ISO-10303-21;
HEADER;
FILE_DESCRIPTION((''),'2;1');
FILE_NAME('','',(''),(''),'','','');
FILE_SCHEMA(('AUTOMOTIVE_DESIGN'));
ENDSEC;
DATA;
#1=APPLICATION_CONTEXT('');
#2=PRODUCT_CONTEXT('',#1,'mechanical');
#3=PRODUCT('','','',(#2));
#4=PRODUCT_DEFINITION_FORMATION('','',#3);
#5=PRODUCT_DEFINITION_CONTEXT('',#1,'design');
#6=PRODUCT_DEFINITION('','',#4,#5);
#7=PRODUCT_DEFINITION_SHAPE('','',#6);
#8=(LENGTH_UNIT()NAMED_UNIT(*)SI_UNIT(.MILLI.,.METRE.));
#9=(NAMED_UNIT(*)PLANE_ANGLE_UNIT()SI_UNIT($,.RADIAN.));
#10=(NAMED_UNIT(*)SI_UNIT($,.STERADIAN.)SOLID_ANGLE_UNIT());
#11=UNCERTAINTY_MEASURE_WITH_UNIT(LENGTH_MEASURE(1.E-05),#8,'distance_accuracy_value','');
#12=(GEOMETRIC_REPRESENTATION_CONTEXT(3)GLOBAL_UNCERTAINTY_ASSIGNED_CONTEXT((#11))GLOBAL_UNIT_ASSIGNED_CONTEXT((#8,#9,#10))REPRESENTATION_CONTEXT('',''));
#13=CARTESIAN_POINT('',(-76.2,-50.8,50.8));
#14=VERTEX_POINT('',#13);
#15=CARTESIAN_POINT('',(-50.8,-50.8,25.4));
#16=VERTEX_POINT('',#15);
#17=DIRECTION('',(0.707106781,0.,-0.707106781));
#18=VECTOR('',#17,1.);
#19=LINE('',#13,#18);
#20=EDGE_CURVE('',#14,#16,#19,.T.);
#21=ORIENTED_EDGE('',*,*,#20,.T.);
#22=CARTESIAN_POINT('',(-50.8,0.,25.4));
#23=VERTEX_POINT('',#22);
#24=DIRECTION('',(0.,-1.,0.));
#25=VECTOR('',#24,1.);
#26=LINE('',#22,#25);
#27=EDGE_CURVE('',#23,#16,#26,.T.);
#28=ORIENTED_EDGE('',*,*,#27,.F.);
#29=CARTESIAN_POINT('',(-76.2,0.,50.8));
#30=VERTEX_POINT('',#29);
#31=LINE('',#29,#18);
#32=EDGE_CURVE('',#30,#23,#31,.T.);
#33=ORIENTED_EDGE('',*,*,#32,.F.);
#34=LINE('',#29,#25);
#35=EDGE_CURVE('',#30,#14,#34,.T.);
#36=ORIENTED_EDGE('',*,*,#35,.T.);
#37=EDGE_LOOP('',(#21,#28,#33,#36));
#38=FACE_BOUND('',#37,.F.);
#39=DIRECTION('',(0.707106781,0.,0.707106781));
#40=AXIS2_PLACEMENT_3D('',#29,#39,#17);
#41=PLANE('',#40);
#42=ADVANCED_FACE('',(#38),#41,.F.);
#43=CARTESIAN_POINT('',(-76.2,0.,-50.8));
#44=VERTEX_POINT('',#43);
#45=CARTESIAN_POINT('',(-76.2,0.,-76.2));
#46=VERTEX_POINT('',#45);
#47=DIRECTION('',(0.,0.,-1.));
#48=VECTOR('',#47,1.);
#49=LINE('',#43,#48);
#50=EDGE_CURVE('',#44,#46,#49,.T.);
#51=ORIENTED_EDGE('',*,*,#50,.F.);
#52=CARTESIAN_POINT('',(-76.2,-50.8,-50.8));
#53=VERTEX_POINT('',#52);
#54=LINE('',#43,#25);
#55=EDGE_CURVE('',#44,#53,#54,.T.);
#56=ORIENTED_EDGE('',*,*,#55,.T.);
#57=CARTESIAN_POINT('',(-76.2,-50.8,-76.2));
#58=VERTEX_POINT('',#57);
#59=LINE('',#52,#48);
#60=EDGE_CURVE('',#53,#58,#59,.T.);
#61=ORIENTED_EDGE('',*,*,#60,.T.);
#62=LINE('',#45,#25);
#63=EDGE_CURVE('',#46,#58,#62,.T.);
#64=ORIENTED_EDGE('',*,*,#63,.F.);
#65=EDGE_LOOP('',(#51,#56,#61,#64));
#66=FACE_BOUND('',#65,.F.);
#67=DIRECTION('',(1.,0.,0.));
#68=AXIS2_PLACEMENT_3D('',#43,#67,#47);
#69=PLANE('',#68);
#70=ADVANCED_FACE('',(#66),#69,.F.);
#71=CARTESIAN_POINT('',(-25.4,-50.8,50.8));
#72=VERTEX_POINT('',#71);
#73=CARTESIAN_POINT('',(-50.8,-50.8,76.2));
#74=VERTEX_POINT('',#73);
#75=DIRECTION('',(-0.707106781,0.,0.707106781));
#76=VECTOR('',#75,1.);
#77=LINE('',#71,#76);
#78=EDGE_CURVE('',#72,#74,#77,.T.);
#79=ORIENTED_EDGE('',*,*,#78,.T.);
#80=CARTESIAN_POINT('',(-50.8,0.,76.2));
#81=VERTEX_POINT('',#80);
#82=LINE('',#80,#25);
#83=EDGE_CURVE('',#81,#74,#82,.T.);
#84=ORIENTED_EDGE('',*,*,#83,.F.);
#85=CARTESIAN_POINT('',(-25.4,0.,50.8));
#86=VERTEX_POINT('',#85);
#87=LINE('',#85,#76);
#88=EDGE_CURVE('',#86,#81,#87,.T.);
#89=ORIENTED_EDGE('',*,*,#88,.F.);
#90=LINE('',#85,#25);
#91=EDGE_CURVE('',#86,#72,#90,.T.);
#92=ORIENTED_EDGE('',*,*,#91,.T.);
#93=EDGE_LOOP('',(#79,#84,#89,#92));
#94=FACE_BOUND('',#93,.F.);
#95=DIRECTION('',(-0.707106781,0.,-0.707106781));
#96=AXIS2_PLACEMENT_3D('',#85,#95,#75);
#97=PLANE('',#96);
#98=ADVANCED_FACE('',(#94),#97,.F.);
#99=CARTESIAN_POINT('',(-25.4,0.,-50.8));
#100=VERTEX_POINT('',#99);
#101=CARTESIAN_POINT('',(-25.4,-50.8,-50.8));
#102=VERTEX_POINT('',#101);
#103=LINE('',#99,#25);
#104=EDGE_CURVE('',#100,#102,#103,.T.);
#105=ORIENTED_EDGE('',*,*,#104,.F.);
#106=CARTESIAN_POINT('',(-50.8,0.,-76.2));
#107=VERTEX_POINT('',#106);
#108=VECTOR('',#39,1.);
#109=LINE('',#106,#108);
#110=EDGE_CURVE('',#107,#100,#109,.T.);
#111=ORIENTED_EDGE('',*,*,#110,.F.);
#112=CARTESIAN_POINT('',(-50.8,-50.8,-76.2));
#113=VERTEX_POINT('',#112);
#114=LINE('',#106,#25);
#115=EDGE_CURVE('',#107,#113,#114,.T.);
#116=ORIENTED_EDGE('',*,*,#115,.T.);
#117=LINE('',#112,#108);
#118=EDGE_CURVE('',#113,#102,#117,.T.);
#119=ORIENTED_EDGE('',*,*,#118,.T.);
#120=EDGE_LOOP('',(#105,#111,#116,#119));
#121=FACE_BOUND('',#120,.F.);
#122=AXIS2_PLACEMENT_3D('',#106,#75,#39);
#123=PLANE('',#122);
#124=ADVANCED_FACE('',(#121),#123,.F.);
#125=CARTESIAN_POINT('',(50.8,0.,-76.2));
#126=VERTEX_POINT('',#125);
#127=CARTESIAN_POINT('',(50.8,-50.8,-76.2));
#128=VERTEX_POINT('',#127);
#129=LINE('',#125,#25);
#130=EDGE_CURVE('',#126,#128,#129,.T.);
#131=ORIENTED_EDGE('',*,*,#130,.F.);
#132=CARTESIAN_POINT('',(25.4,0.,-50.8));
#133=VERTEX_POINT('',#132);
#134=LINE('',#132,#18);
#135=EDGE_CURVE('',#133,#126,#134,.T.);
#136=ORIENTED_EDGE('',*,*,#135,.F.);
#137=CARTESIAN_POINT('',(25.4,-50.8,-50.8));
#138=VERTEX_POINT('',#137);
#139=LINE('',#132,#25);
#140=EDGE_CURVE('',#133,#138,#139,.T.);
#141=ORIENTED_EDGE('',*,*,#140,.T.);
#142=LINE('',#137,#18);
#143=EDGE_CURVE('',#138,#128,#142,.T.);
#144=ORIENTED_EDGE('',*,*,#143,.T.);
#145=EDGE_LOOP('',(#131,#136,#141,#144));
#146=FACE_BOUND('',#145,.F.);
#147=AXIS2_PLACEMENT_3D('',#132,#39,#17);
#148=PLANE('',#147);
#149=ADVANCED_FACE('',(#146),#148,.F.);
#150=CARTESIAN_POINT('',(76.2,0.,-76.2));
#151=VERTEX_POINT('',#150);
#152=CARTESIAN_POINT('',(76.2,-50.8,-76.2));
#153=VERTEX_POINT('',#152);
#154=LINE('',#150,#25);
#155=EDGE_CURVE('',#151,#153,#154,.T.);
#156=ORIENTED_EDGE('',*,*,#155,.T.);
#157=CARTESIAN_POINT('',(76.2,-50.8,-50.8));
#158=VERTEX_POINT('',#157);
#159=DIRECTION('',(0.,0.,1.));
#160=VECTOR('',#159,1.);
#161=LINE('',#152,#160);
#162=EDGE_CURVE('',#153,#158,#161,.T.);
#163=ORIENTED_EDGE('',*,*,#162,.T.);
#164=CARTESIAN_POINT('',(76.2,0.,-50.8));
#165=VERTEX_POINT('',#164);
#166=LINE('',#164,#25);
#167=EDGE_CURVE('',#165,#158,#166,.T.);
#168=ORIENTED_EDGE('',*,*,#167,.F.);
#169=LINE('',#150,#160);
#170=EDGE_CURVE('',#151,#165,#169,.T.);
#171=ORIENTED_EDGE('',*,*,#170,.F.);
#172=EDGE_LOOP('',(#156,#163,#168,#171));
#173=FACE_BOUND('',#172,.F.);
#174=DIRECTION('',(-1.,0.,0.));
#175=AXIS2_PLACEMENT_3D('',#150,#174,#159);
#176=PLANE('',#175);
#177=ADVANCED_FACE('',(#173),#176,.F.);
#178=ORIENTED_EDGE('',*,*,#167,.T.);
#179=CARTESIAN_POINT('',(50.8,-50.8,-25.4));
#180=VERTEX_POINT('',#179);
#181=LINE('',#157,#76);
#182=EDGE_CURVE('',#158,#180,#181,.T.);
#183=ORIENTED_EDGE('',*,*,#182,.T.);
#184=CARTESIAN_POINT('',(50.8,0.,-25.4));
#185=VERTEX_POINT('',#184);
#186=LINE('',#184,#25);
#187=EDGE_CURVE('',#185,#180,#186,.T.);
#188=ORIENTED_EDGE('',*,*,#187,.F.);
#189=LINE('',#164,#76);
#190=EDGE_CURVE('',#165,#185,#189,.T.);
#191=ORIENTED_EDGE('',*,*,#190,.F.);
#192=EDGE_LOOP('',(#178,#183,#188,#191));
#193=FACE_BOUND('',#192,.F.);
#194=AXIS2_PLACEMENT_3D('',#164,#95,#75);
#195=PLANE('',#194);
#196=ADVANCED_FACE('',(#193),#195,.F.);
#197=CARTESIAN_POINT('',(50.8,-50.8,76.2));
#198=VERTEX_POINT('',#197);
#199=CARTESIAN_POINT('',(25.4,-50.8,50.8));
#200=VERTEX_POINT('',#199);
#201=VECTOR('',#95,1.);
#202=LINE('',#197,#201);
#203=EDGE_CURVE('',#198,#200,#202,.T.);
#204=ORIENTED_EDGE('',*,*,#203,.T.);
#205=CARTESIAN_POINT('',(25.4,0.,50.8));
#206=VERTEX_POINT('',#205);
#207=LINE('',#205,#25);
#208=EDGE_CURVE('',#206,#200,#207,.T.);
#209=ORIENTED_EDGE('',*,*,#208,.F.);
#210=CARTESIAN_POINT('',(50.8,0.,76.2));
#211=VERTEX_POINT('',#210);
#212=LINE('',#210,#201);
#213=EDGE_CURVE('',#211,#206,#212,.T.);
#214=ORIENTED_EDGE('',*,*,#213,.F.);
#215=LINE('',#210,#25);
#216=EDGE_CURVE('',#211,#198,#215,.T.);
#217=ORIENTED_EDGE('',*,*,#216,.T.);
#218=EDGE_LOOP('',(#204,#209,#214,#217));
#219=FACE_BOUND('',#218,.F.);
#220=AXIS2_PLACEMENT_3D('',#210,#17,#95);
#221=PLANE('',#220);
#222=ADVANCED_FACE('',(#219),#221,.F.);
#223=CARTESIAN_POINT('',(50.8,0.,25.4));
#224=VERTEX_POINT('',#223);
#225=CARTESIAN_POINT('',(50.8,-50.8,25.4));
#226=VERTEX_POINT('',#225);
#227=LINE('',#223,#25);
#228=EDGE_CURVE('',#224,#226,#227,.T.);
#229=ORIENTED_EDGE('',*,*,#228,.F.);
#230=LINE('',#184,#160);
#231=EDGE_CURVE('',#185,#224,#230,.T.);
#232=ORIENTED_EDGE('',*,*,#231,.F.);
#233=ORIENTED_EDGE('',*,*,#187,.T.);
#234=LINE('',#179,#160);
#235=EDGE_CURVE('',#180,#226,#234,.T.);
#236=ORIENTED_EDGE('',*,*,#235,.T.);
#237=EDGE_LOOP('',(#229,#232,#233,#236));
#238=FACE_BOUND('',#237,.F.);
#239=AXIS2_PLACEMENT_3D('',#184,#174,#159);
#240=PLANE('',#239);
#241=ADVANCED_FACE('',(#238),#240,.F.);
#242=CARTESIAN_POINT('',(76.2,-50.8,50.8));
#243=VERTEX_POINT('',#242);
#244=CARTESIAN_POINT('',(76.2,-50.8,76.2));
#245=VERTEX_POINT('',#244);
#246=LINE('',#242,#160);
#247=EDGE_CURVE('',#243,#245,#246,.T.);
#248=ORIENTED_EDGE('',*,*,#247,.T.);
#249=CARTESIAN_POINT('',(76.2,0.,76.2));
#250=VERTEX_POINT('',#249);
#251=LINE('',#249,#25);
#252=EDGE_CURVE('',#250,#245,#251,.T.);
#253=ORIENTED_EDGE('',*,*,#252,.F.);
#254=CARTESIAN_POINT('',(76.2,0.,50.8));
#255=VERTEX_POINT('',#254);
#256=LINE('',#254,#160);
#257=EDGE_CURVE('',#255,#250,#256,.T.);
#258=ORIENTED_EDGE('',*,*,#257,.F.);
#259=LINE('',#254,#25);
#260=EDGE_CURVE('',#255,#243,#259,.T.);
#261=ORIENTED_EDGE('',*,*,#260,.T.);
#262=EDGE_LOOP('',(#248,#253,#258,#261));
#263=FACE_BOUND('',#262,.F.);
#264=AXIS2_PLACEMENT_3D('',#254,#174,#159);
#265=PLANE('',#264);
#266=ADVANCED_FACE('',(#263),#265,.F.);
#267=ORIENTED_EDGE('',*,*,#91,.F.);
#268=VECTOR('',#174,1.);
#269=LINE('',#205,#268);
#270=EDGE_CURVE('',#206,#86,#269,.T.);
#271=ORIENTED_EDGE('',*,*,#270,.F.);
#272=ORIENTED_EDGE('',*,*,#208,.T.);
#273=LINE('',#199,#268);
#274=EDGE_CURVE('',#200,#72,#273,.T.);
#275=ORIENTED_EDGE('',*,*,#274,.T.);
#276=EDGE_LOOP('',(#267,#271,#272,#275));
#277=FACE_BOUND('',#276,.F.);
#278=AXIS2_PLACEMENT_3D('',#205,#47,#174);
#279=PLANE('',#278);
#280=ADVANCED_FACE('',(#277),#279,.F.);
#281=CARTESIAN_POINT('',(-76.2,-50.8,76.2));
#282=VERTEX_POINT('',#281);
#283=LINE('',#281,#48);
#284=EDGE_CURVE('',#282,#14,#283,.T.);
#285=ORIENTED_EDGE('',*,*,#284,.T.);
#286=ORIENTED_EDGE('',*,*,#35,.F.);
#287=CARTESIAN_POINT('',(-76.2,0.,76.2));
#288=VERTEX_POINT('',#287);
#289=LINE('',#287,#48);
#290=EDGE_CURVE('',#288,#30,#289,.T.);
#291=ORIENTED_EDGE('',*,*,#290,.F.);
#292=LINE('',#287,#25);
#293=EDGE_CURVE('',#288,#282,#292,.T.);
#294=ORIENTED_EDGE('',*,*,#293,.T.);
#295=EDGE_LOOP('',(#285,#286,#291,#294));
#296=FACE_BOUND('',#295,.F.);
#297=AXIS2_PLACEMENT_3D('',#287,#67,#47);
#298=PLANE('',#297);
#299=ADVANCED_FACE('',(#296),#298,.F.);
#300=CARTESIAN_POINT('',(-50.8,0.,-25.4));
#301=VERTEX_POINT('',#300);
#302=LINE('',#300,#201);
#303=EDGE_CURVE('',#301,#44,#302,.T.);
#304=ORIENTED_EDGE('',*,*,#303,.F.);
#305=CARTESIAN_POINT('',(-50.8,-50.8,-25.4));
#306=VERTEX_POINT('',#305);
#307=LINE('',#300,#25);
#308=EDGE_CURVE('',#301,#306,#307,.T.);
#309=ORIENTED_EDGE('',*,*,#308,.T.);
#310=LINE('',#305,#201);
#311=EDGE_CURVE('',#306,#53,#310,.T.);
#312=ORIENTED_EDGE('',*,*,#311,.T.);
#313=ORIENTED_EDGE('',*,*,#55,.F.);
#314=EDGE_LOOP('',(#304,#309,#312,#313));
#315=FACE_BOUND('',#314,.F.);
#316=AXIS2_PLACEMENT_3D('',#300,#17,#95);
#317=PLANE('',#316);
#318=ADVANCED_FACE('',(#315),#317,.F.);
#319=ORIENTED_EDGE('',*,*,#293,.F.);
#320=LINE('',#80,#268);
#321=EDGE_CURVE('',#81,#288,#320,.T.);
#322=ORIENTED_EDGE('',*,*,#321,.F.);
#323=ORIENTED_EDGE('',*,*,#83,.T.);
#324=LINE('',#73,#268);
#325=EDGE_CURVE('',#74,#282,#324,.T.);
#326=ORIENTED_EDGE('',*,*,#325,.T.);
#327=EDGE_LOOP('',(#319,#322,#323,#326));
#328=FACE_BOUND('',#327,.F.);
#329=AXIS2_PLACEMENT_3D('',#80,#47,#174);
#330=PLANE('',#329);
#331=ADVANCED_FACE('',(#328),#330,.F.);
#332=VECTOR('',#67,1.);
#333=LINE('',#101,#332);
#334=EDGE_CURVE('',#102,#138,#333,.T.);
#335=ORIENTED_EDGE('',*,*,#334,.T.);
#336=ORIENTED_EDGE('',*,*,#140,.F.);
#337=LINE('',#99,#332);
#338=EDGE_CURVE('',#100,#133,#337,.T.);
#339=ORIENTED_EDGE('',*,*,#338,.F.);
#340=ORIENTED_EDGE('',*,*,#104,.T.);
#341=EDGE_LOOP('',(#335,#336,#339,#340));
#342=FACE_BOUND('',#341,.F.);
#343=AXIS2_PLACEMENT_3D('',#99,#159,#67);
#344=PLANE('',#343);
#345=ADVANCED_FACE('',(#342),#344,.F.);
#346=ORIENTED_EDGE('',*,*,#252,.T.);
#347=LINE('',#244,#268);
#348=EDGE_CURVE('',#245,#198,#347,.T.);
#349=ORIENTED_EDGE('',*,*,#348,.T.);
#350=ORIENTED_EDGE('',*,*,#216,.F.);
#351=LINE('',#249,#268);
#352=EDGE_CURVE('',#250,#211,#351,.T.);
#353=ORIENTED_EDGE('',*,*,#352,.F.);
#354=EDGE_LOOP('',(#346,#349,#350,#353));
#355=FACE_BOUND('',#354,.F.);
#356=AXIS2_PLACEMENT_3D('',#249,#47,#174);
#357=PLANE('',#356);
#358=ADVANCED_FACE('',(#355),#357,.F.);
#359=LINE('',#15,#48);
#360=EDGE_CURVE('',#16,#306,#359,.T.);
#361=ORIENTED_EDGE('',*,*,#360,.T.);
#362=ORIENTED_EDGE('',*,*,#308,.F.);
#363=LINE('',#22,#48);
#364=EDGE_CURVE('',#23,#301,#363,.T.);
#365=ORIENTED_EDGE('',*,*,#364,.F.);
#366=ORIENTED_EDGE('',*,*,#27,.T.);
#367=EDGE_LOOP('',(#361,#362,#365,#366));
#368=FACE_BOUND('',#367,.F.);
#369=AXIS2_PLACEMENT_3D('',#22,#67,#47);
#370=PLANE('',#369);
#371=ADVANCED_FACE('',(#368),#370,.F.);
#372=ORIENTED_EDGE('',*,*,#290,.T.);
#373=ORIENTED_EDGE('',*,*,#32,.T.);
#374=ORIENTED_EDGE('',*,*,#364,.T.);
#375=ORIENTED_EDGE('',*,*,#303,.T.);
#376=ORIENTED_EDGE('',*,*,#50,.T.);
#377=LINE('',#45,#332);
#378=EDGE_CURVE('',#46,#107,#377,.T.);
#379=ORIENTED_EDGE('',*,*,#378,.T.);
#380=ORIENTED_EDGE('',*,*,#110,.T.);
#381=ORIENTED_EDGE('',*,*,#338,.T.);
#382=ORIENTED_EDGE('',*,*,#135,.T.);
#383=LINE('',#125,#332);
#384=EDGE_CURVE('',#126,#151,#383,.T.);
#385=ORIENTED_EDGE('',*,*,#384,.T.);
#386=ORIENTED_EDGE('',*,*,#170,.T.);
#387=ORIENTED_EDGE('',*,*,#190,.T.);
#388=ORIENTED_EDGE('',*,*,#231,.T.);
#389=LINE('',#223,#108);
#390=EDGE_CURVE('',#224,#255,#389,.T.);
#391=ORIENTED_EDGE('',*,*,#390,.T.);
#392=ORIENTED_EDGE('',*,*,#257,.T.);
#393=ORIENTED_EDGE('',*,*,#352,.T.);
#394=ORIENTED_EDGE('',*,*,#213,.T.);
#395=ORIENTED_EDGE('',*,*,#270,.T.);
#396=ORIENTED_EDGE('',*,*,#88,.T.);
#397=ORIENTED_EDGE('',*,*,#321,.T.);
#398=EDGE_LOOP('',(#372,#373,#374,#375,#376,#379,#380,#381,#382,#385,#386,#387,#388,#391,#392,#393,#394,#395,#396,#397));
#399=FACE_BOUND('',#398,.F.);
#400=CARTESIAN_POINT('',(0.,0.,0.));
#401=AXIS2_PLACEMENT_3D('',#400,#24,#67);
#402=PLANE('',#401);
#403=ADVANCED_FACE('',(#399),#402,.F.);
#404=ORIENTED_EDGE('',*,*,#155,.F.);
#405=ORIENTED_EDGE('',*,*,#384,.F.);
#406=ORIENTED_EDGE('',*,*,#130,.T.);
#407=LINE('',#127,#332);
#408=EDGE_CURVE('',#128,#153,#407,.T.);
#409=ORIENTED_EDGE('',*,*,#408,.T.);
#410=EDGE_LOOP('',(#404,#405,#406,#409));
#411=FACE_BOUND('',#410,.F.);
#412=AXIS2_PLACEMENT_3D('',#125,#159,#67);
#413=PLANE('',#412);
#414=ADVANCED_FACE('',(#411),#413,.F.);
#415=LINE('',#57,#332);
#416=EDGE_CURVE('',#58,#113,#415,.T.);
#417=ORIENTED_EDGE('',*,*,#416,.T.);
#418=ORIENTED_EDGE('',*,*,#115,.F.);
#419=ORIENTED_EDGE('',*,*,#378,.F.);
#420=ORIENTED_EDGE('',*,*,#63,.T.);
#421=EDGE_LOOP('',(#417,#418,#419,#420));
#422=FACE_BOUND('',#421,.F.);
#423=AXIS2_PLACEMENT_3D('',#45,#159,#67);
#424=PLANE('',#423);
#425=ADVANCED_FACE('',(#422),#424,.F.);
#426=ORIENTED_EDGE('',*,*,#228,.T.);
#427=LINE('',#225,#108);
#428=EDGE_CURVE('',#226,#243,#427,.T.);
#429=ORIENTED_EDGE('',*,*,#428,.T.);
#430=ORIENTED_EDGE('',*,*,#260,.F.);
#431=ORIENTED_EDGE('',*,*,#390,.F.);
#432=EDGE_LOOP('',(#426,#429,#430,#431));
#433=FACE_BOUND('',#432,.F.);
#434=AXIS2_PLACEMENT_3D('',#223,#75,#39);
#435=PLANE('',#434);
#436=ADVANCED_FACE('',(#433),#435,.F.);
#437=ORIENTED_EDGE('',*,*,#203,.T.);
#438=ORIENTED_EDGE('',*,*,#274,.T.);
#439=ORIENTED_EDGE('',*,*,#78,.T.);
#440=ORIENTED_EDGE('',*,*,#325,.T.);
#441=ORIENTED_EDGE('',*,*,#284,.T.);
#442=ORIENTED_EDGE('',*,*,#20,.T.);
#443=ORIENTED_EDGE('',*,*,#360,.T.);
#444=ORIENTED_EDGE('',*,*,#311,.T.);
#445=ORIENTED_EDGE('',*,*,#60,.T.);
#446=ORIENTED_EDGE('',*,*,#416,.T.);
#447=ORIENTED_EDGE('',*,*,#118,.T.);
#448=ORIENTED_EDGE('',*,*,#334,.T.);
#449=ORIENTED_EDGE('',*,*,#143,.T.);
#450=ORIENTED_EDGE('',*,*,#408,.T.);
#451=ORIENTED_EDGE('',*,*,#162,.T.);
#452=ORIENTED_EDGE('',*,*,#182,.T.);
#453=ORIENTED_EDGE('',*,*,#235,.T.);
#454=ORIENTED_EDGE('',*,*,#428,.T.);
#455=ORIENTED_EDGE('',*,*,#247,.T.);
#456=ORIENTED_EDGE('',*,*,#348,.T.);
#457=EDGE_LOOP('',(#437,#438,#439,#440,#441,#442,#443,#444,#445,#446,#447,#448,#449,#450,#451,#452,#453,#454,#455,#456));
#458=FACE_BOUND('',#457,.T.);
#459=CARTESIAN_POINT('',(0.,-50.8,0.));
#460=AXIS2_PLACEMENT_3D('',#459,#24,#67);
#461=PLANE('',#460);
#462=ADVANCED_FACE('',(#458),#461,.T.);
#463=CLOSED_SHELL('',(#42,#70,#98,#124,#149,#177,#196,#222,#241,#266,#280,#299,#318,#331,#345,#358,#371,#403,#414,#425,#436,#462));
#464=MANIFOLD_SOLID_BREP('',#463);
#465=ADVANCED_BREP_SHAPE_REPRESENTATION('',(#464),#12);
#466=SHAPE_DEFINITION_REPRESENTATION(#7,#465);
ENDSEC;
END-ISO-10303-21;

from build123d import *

# Parameters (mm, degrees)
F1_DEPTH = 50.8


with BuildPart() as f1:
    # F0 (on Front) → F1 (new body)
    with BuildSketch(Plane.XZ):
        Polygon((0, 50.8), (-25.4, 50.8), (-50.8, 76.2), (-76.2, 76.2), (-76.2, 50.8), (-50.8, 25.4), (-50.8, -25.4), (-76.2, -50.8), (-76.2, -76.2), (-50.8, -76.2), (-25.4, -50.8), (0, -50.8), (25.4, -50.8), (50.8, -76.2), (76.2, -76.2), (76.2, -50.8), (50.8, -25.4), (50.8, 25.4), (76.2, 50.8), (76.2, 76.2), (50.8, 76.2), (25.4, 50.8), align=None)
    extrude(amount=F1_DEPTH)


solid = f1.part
